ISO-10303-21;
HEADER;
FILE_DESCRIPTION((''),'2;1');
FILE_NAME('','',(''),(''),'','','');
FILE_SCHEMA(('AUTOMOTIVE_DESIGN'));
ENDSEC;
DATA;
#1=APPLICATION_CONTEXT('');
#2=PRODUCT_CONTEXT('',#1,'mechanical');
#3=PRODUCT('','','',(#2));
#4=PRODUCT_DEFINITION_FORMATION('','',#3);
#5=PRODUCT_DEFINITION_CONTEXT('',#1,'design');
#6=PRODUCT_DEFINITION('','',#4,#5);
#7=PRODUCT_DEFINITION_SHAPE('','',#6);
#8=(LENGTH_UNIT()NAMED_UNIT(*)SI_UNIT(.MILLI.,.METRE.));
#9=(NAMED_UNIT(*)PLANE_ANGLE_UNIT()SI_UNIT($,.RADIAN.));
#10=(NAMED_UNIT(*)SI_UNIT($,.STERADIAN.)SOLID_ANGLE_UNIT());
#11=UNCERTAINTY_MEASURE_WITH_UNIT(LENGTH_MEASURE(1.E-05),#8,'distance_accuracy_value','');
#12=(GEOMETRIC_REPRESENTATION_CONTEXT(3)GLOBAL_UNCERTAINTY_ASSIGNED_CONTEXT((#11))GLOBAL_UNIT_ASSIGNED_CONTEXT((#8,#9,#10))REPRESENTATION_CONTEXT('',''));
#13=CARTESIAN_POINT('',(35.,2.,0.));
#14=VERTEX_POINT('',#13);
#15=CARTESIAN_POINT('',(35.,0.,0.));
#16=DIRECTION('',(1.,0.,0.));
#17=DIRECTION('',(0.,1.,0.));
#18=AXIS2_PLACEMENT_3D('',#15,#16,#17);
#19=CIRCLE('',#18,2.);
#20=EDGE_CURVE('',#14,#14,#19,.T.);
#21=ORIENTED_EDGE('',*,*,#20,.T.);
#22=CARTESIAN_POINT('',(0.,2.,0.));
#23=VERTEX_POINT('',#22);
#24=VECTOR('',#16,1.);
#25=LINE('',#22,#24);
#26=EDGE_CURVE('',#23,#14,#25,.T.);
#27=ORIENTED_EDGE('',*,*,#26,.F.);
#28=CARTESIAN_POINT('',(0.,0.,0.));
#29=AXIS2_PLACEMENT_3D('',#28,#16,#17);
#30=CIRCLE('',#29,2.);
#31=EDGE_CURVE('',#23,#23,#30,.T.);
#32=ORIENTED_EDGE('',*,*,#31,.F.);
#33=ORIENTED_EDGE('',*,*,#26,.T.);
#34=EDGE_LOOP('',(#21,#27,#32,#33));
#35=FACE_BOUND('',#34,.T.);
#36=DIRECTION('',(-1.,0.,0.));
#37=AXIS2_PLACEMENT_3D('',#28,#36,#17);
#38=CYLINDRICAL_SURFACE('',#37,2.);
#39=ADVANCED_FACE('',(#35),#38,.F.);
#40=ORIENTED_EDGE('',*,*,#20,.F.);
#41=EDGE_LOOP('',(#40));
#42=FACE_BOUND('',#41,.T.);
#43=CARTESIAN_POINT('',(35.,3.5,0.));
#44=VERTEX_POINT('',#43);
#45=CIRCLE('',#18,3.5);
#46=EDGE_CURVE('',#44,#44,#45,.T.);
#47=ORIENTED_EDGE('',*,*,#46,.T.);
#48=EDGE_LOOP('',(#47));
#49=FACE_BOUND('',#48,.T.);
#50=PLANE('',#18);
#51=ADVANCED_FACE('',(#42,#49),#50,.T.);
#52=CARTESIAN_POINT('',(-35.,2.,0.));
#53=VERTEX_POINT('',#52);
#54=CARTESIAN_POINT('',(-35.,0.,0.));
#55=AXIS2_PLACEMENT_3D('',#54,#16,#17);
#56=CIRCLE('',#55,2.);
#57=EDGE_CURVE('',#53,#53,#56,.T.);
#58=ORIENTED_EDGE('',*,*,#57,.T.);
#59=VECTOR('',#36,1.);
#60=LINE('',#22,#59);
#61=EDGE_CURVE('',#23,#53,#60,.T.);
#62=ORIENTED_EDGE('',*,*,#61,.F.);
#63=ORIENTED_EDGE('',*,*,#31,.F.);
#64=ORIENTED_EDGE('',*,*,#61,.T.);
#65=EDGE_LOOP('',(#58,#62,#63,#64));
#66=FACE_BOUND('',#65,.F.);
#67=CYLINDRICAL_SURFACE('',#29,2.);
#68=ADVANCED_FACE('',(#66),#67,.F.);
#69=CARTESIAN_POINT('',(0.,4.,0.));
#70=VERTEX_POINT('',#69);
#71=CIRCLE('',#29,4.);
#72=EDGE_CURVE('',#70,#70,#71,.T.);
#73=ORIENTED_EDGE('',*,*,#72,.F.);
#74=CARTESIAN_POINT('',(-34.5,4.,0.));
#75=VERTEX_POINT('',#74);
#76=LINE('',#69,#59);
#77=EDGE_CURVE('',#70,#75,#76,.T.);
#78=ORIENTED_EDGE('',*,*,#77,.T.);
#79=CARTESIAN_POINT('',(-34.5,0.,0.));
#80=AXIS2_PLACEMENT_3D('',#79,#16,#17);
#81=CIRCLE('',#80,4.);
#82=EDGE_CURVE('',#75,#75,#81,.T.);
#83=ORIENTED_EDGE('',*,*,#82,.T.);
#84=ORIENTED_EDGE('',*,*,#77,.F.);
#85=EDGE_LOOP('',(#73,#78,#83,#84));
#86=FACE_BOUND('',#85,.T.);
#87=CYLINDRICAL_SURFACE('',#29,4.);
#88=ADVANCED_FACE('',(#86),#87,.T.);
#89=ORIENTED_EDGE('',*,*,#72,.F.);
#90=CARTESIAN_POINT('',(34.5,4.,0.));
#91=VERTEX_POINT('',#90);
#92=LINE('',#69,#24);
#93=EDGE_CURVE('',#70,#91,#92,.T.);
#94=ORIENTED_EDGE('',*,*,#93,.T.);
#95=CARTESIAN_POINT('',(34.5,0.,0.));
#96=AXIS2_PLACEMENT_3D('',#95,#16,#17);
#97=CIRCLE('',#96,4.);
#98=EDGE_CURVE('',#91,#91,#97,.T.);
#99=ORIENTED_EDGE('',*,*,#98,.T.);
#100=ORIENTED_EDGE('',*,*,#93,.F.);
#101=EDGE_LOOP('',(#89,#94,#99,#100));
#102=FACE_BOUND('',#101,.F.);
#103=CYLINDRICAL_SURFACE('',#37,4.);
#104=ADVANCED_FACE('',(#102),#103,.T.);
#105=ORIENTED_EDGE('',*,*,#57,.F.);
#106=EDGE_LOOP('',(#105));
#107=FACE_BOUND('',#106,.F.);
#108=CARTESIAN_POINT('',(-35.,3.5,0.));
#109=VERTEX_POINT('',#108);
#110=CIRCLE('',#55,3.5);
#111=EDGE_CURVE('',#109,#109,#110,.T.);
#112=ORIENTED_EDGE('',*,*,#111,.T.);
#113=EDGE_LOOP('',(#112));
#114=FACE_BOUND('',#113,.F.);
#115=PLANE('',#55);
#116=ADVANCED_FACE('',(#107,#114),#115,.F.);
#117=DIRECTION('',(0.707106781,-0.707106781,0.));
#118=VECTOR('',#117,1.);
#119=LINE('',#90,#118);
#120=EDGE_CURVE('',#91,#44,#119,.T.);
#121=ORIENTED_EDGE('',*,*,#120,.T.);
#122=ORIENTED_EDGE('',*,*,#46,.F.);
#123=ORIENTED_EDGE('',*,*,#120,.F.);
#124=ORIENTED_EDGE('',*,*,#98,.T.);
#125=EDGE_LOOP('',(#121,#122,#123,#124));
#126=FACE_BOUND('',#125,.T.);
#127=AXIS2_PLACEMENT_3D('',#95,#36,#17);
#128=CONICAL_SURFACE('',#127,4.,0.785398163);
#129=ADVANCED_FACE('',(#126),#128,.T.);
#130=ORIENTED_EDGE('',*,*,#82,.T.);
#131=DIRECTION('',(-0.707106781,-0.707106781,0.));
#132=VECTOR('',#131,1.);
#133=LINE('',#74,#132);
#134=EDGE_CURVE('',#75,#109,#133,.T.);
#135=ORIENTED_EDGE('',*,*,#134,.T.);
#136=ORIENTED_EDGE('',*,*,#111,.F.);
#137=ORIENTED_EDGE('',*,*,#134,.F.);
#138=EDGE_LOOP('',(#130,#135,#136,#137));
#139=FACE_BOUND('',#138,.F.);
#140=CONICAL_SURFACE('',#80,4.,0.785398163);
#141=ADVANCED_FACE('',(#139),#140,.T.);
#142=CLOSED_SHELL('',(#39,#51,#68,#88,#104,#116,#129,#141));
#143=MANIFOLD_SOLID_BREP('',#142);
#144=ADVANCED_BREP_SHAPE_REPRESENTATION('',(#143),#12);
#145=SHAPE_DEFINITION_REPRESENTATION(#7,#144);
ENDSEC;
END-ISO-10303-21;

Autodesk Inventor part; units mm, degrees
ref_plane "YZ Plane" through (0, 0, 0) normal (1, 0, 0) x (0, 1, 0)
ref_plane "XZ Plane" through (0, 0, 0) normal (0, 1, 0) x (-1, 0, 0)
ref_plane "XY Plane" through (0, 0, 0) normal (0, 0, 1) x (1, 0, 0)
sketch "スケッチ1" plane through (0, 0, 0) normal (1, 0, 0) x (0, 1, 0)
  circle A0 centre (0, 0) radius 4
  circle A1 centre (0, 0) radius 2
  dimension "d0" = 8
  dimension "d1" = 4
extrude "押し出し1" add sketch "スケッチ1" along normal mid plane 70
chamfer "面取り1" distance 0.5 angle 45 2 edges at (35, -4, 0) (-35, -4, 0)
properties part number "AMR-470E"
